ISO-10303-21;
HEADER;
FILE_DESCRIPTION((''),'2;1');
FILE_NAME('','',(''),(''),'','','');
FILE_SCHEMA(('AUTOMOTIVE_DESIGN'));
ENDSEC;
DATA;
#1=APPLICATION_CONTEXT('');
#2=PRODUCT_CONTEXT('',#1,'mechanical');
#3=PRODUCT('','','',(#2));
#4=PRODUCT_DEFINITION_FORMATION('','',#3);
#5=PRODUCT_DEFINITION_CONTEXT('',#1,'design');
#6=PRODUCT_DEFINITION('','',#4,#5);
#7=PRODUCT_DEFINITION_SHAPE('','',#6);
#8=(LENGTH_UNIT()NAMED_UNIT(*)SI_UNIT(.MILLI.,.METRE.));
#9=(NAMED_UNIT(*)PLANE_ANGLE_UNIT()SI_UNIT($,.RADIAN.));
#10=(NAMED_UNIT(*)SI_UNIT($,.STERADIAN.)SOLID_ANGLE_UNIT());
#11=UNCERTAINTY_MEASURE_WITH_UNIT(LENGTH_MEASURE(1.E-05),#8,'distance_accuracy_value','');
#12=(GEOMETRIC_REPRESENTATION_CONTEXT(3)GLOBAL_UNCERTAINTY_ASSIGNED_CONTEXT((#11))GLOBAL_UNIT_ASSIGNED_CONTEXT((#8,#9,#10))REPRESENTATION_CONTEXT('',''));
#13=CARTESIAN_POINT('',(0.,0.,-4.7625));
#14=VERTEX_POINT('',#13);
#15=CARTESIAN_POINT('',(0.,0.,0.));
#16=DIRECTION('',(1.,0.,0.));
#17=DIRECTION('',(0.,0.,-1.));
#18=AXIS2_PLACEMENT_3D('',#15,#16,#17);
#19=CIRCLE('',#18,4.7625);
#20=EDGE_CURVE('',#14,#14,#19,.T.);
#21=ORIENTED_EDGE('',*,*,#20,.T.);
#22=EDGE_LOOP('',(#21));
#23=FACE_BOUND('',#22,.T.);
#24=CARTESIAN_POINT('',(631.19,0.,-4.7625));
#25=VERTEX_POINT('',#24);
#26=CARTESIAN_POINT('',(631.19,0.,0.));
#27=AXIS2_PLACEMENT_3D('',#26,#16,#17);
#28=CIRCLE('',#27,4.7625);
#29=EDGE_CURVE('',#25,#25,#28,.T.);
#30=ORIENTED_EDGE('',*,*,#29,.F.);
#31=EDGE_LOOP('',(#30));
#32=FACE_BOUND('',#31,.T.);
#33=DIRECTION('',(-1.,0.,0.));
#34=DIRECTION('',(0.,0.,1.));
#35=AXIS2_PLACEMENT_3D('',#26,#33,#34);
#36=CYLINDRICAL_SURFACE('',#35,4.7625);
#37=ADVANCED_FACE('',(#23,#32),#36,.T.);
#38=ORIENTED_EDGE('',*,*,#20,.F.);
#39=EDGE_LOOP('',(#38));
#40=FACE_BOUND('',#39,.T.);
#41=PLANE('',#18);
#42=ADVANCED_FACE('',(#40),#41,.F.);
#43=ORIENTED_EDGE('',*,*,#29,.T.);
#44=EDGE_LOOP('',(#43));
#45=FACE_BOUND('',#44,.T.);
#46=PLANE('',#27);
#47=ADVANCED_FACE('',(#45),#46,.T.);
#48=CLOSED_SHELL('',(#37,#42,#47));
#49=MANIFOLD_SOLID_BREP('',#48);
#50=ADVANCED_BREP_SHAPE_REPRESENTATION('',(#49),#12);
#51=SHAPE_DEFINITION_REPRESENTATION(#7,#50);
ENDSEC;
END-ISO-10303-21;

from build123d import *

# Parameters (mm, degrees)
SKETCH1_R           = 4.7625
BOSS_EXTRUDE1_DEPTH = 631.19


with BuildPart() as part:
    # Sketch1 → Boss-Extrude1 (new body)
    with BuildSketch(Plane.YZ):
        with Locations(Location((0, 0, 0), (0, 0, 270))):
            Circle(SKETCH1_R)
    extrude(amount=BOSS_EXTRUDE1_DEPTH)


solid = part.part
